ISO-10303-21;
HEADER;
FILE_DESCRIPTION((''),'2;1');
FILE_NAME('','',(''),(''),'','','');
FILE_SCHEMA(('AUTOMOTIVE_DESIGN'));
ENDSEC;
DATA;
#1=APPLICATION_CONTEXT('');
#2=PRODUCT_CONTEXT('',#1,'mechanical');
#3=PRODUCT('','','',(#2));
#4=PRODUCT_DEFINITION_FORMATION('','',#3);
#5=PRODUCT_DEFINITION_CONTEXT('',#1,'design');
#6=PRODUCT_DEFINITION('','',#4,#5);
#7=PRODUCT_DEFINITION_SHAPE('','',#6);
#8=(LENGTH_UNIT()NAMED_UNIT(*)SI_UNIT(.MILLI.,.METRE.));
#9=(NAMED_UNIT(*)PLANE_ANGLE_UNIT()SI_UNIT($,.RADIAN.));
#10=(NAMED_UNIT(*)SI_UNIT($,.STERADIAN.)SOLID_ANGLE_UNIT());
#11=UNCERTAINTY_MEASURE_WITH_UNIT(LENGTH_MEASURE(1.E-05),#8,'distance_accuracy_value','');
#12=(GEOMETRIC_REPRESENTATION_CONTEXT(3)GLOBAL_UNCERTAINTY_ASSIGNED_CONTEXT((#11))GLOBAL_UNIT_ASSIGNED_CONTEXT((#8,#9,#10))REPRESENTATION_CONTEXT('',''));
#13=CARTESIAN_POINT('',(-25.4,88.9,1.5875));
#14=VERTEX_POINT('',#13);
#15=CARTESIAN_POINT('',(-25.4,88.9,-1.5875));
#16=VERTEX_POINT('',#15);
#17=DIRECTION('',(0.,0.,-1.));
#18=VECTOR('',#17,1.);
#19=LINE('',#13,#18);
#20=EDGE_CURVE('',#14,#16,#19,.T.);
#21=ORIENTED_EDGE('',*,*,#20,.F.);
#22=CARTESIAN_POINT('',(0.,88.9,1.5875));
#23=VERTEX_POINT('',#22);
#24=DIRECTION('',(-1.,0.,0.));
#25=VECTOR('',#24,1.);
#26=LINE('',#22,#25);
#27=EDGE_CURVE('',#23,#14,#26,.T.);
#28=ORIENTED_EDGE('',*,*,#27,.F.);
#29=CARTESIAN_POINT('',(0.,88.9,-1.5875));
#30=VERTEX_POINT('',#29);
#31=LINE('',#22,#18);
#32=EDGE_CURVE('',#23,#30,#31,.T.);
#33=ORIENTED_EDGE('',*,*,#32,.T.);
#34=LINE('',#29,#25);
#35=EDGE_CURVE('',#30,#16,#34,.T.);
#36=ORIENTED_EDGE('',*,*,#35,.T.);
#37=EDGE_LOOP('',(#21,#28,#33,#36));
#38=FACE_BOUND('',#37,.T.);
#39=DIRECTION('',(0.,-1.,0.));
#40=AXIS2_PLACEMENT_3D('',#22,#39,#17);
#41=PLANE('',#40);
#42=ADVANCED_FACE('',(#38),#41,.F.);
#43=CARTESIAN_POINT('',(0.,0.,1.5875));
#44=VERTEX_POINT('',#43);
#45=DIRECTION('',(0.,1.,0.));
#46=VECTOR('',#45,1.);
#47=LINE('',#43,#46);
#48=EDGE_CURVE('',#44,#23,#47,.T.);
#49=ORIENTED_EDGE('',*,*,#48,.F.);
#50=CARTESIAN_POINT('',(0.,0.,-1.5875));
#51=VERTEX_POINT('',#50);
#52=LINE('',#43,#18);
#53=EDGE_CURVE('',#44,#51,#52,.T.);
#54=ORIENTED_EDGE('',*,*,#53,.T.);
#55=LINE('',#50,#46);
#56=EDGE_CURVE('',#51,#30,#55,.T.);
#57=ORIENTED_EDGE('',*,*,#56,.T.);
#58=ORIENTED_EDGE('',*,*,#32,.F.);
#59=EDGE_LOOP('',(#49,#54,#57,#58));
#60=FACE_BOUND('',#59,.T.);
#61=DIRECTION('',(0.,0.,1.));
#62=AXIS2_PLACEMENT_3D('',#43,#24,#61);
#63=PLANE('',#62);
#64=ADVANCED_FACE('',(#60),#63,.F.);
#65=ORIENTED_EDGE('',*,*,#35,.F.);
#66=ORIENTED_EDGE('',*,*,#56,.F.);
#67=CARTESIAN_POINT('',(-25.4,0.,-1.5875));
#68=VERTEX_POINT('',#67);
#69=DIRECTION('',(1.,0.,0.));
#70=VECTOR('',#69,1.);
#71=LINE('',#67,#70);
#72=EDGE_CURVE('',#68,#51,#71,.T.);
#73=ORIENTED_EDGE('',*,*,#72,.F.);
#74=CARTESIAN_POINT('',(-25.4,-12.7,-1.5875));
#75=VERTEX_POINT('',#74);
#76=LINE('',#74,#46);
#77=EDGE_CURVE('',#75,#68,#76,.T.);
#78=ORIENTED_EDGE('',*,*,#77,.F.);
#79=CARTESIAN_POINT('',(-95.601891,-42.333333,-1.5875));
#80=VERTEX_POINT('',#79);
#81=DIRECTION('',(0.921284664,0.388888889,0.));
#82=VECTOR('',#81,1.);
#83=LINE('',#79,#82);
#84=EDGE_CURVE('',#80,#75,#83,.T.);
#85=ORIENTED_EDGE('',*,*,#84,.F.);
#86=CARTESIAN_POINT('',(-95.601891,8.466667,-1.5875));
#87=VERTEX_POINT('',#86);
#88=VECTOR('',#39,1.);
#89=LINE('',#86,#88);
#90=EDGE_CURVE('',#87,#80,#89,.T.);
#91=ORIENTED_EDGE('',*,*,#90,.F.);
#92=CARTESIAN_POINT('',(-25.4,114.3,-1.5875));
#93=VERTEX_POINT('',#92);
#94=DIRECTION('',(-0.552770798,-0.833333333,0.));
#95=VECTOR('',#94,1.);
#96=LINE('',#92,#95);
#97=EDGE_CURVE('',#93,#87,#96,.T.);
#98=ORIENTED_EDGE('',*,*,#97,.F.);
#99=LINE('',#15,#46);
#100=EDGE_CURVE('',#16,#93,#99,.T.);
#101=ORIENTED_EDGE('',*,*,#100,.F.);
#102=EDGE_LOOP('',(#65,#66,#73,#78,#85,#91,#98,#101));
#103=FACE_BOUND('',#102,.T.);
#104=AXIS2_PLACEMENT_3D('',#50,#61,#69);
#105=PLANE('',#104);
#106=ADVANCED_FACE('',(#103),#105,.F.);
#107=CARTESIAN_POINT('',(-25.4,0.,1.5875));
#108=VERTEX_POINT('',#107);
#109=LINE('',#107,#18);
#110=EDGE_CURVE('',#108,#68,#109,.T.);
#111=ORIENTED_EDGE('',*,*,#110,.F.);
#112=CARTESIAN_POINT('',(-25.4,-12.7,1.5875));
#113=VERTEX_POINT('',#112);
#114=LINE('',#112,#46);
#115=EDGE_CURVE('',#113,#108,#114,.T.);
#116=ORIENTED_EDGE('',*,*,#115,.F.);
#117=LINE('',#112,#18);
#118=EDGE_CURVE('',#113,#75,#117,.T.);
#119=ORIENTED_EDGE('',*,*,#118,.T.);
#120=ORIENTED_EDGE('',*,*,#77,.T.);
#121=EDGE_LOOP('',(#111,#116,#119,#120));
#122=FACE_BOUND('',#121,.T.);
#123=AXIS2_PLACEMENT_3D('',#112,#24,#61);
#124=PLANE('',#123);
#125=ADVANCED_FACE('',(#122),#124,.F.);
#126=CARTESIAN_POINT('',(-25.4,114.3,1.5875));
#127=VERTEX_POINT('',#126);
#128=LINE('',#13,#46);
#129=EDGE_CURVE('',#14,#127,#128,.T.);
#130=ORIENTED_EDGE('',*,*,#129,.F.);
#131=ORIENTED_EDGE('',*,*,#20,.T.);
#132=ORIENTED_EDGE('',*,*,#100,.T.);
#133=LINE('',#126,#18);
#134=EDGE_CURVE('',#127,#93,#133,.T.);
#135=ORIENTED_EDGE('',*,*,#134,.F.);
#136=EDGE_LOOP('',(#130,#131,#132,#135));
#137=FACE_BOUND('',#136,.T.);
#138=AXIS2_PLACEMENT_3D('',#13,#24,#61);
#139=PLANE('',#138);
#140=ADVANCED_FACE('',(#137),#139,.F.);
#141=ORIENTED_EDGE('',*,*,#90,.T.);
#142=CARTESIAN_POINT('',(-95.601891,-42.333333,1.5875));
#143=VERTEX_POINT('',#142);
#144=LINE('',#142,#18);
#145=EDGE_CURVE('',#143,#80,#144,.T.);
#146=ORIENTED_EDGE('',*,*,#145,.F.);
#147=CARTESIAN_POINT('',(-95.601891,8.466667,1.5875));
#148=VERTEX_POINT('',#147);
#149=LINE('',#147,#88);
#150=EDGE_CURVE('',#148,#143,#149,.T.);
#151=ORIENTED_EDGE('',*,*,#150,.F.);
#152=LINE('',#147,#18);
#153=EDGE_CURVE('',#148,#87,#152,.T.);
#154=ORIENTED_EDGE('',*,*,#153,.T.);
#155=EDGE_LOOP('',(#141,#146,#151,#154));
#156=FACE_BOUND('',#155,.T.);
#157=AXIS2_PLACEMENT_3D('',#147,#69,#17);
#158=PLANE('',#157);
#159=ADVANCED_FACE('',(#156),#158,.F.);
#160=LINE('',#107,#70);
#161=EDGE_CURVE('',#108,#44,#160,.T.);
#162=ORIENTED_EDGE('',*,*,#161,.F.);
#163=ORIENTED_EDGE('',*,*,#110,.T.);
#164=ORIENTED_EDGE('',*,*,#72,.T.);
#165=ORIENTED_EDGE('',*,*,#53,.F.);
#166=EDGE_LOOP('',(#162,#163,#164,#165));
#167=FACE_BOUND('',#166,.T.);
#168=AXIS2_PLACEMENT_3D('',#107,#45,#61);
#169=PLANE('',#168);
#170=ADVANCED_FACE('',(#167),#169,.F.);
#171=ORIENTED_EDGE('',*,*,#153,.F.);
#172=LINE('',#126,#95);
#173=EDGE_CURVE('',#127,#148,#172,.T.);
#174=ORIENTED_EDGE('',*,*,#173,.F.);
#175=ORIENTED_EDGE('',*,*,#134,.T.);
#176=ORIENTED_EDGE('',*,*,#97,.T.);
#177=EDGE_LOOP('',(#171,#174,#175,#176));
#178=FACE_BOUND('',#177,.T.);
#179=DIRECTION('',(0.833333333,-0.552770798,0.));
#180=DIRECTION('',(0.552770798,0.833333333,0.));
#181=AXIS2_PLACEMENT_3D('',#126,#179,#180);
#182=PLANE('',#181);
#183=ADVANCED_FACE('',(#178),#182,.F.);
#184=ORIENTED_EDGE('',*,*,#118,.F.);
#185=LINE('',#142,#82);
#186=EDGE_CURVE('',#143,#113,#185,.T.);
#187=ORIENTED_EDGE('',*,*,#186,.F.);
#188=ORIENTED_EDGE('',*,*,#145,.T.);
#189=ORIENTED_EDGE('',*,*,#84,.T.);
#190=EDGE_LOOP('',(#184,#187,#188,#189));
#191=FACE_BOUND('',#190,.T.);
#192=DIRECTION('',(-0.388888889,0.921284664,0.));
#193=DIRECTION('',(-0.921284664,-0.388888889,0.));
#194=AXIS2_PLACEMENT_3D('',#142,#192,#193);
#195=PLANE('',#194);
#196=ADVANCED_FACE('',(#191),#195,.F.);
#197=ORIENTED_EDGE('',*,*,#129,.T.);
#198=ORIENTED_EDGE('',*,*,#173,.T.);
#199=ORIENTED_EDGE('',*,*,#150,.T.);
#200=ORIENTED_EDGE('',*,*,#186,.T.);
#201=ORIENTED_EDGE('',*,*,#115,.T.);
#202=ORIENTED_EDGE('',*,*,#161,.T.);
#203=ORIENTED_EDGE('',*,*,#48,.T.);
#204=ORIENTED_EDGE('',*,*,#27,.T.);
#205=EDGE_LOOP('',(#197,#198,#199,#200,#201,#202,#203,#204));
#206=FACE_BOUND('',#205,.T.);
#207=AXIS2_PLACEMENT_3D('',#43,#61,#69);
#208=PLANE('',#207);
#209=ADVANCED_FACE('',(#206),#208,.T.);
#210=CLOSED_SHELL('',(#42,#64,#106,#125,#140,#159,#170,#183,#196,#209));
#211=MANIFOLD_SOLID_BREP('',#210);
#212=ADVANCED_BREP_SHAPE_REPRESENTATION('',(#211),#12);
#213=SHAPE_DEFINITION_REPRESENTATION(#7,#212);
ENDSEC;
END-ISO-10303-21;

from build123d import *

# Parameters (mm, degrees)
BOSS_EXTRUDE1_DEPTH = 1.5875


with BuildPart() as part:
    # Sketch1 → Boss-Extrude1 (new, symmetric)
    with BuildSketch(Plane.XY):
        Polygon((0, 0), (0, 88.9), (-25.4, 88.9), (-25.4, 114.3), (-95.601891396, 8.466666667), (-95.601891396, -42.333333333), (-25.4, -12.7), (-25.4, 0), align=None)
    extrude(amount=BOSS_EXTRUDE1_DEPTH, both=True)


solid = part.part
